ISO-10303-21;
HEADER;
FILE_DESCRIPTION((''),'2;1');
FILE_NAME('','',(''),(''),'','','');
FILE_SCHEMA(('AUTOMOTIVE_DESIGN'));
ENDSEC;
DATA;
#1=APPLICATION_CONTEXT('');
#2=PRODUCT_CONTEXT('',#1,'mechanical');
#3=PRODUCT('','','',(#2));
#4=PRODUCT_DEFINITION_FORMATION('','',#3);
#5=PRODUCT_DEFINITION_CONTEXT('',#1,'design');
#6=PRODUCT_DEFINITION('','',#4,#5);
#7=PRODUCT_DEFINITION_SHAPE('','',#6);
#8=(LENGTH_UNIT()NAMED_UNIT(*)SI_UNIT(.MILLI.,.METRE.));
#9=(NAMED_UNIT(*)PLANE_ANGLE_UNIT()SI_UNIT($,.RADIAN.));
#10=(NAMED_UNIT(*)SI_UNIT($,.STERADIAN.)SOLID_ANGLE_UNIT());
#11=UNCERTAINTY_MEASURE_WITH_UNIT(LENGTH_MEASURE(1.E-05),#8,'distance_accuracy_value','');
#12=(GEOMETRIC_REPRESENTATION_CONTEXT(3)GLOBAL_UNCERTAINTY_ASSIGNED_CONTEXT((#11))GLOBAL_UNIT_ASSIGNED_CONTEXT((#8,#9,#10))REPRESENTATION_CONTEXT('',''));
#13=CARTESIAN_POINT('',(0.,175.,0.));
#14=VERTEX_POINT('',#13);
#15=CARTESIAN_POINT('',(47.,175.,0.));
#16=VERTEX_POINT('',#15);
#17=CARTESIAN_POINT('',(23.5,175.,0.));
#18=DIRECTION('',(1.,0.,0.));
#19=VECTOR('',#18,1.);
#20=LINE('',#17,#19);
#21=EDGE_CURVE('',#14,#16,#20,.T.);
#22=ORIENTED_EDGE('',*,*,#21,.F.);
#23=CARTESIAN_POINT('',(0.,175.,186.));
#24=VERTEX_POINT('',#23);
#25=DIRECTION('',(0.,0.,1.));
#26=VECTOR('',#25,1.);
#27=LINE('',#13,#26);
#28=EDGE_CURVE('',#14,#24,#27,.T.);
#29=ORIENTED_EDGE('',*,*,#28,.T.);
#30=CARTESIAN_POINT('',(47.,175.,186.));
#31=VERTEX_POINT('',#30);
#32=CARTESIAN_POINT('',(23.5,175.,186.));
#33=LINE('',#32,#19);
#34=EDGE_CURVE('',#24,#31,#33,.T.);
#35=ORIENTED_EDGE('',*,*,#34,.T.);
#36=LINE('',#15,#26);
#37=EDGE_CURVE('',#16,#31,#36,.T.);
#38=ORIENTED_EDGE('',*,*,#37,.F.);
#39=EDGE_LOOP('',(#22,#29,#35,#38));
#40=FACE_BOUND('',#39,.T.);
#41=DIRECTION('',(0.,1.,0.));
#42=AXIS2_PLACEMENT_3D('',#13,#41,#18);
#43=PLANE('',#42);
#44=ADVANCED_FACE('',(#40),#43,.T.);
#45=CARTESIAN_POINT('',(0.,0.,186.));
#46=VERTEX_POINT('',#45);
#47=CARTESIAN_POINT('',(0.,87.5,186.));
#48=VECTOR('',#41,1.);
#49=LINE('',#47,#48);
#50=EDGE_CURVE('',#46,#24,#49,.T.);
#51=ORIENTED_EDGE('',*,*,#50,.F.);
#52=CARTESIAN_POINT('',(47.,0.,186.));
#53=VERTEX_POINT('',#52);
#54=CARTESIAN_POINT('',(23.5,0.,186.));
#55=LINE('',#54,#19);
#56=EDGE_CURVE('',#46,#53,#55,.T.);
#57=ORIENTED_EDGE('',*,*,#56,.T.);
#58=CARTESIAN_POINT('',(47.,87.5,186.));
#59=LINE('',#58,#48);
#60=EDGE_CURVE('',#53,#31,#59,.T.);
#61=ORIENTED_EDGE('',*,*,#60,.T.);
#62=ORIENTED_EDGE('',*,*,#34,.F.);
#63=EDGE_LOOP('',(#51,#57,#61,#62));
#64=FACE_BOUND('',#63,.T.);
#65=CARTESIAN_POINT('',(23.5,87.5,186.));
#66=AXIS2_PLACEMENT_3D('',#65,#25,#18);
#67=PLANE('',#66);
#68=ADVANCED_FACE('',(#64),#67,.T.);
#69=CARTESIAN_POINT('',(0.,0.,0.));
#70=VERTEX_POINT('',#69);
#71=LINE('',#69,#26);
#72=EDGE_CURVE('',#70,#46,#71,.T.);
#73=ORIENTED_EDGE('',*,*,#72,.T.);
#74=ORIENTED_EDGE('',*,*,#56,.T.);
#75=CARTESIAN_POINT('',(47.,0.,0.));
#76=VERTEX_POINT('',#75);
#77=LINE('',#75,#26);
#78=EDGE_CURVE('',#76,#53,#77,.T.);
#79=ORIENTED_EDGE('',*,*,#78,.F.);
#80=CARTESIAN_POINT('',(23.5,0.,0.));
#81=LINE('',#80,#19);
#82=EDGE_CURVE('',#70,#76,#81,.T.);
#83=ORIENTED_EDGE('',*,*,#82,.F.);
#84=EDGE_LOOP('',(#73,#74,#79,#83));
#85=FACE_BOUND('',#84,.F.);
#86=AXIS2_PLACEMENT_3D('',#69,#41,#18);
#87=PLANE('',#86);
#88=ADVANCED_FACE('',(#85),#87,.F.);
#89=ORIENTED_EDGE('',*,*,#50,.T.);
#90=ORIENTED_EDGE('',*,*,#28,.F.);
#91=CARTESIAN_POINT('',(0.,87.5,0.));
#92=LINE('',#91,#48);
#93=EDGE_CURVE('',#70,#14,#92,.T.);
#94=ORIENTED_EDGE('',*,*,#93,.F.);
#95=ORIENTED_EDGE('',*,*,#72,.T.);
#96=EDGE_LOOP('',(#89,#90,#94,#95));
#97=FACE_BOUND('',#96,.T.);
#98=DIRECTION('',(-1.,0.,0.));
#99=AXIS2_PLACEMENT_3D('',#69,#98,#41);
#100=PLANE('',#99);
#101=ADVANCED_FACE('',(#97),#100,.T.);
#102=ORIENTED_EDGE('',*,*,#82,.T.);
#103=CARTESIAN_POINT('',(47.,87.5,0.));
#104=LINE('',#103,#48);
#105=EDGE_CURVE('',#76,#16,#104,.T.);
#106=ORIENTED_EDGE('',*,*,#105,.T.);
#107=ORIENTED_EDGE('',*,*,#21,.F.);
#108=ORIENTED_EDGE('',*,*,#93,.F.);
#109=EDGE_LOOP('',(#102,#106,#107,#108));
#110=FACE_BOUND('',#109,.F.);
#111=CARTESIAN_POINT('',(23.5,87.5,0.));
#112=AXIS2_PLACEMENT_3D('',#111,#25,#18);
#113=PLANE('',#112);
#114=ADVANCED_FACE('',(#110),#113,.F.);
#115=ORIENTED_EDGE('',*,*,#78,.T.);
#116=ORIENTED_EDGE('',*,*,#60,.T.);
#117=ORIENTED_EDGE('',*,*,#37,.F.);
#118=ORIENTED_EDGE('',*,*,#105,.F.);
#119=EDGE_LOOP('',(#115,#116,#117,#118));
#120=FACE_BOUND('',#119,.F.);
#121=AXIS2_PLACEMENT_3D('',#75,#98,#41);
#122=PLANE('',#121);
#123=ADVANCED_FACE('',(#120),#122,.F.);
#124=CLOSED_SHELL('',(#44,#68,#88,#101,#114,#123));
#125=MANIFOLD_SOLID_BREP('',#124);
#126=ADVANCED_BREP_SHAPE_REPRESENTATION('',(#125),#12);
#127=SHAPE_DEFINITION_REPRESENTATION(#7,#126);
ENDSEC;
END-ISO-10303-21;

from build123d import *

# Parameters (mm, degrees)
BOX_W     = 47
BOX_H     = 175
BOX_DEPTH = 186


with BuildPart() as part:
    # Box → Box (new body)
    with BuildSketch(Plane.XY):
        with Locations((23.5, 87.5)):
            Rectangle(BOX_W, BOX_H)
    extrude(amount=BOX_DEPTH)


solid = part.part
